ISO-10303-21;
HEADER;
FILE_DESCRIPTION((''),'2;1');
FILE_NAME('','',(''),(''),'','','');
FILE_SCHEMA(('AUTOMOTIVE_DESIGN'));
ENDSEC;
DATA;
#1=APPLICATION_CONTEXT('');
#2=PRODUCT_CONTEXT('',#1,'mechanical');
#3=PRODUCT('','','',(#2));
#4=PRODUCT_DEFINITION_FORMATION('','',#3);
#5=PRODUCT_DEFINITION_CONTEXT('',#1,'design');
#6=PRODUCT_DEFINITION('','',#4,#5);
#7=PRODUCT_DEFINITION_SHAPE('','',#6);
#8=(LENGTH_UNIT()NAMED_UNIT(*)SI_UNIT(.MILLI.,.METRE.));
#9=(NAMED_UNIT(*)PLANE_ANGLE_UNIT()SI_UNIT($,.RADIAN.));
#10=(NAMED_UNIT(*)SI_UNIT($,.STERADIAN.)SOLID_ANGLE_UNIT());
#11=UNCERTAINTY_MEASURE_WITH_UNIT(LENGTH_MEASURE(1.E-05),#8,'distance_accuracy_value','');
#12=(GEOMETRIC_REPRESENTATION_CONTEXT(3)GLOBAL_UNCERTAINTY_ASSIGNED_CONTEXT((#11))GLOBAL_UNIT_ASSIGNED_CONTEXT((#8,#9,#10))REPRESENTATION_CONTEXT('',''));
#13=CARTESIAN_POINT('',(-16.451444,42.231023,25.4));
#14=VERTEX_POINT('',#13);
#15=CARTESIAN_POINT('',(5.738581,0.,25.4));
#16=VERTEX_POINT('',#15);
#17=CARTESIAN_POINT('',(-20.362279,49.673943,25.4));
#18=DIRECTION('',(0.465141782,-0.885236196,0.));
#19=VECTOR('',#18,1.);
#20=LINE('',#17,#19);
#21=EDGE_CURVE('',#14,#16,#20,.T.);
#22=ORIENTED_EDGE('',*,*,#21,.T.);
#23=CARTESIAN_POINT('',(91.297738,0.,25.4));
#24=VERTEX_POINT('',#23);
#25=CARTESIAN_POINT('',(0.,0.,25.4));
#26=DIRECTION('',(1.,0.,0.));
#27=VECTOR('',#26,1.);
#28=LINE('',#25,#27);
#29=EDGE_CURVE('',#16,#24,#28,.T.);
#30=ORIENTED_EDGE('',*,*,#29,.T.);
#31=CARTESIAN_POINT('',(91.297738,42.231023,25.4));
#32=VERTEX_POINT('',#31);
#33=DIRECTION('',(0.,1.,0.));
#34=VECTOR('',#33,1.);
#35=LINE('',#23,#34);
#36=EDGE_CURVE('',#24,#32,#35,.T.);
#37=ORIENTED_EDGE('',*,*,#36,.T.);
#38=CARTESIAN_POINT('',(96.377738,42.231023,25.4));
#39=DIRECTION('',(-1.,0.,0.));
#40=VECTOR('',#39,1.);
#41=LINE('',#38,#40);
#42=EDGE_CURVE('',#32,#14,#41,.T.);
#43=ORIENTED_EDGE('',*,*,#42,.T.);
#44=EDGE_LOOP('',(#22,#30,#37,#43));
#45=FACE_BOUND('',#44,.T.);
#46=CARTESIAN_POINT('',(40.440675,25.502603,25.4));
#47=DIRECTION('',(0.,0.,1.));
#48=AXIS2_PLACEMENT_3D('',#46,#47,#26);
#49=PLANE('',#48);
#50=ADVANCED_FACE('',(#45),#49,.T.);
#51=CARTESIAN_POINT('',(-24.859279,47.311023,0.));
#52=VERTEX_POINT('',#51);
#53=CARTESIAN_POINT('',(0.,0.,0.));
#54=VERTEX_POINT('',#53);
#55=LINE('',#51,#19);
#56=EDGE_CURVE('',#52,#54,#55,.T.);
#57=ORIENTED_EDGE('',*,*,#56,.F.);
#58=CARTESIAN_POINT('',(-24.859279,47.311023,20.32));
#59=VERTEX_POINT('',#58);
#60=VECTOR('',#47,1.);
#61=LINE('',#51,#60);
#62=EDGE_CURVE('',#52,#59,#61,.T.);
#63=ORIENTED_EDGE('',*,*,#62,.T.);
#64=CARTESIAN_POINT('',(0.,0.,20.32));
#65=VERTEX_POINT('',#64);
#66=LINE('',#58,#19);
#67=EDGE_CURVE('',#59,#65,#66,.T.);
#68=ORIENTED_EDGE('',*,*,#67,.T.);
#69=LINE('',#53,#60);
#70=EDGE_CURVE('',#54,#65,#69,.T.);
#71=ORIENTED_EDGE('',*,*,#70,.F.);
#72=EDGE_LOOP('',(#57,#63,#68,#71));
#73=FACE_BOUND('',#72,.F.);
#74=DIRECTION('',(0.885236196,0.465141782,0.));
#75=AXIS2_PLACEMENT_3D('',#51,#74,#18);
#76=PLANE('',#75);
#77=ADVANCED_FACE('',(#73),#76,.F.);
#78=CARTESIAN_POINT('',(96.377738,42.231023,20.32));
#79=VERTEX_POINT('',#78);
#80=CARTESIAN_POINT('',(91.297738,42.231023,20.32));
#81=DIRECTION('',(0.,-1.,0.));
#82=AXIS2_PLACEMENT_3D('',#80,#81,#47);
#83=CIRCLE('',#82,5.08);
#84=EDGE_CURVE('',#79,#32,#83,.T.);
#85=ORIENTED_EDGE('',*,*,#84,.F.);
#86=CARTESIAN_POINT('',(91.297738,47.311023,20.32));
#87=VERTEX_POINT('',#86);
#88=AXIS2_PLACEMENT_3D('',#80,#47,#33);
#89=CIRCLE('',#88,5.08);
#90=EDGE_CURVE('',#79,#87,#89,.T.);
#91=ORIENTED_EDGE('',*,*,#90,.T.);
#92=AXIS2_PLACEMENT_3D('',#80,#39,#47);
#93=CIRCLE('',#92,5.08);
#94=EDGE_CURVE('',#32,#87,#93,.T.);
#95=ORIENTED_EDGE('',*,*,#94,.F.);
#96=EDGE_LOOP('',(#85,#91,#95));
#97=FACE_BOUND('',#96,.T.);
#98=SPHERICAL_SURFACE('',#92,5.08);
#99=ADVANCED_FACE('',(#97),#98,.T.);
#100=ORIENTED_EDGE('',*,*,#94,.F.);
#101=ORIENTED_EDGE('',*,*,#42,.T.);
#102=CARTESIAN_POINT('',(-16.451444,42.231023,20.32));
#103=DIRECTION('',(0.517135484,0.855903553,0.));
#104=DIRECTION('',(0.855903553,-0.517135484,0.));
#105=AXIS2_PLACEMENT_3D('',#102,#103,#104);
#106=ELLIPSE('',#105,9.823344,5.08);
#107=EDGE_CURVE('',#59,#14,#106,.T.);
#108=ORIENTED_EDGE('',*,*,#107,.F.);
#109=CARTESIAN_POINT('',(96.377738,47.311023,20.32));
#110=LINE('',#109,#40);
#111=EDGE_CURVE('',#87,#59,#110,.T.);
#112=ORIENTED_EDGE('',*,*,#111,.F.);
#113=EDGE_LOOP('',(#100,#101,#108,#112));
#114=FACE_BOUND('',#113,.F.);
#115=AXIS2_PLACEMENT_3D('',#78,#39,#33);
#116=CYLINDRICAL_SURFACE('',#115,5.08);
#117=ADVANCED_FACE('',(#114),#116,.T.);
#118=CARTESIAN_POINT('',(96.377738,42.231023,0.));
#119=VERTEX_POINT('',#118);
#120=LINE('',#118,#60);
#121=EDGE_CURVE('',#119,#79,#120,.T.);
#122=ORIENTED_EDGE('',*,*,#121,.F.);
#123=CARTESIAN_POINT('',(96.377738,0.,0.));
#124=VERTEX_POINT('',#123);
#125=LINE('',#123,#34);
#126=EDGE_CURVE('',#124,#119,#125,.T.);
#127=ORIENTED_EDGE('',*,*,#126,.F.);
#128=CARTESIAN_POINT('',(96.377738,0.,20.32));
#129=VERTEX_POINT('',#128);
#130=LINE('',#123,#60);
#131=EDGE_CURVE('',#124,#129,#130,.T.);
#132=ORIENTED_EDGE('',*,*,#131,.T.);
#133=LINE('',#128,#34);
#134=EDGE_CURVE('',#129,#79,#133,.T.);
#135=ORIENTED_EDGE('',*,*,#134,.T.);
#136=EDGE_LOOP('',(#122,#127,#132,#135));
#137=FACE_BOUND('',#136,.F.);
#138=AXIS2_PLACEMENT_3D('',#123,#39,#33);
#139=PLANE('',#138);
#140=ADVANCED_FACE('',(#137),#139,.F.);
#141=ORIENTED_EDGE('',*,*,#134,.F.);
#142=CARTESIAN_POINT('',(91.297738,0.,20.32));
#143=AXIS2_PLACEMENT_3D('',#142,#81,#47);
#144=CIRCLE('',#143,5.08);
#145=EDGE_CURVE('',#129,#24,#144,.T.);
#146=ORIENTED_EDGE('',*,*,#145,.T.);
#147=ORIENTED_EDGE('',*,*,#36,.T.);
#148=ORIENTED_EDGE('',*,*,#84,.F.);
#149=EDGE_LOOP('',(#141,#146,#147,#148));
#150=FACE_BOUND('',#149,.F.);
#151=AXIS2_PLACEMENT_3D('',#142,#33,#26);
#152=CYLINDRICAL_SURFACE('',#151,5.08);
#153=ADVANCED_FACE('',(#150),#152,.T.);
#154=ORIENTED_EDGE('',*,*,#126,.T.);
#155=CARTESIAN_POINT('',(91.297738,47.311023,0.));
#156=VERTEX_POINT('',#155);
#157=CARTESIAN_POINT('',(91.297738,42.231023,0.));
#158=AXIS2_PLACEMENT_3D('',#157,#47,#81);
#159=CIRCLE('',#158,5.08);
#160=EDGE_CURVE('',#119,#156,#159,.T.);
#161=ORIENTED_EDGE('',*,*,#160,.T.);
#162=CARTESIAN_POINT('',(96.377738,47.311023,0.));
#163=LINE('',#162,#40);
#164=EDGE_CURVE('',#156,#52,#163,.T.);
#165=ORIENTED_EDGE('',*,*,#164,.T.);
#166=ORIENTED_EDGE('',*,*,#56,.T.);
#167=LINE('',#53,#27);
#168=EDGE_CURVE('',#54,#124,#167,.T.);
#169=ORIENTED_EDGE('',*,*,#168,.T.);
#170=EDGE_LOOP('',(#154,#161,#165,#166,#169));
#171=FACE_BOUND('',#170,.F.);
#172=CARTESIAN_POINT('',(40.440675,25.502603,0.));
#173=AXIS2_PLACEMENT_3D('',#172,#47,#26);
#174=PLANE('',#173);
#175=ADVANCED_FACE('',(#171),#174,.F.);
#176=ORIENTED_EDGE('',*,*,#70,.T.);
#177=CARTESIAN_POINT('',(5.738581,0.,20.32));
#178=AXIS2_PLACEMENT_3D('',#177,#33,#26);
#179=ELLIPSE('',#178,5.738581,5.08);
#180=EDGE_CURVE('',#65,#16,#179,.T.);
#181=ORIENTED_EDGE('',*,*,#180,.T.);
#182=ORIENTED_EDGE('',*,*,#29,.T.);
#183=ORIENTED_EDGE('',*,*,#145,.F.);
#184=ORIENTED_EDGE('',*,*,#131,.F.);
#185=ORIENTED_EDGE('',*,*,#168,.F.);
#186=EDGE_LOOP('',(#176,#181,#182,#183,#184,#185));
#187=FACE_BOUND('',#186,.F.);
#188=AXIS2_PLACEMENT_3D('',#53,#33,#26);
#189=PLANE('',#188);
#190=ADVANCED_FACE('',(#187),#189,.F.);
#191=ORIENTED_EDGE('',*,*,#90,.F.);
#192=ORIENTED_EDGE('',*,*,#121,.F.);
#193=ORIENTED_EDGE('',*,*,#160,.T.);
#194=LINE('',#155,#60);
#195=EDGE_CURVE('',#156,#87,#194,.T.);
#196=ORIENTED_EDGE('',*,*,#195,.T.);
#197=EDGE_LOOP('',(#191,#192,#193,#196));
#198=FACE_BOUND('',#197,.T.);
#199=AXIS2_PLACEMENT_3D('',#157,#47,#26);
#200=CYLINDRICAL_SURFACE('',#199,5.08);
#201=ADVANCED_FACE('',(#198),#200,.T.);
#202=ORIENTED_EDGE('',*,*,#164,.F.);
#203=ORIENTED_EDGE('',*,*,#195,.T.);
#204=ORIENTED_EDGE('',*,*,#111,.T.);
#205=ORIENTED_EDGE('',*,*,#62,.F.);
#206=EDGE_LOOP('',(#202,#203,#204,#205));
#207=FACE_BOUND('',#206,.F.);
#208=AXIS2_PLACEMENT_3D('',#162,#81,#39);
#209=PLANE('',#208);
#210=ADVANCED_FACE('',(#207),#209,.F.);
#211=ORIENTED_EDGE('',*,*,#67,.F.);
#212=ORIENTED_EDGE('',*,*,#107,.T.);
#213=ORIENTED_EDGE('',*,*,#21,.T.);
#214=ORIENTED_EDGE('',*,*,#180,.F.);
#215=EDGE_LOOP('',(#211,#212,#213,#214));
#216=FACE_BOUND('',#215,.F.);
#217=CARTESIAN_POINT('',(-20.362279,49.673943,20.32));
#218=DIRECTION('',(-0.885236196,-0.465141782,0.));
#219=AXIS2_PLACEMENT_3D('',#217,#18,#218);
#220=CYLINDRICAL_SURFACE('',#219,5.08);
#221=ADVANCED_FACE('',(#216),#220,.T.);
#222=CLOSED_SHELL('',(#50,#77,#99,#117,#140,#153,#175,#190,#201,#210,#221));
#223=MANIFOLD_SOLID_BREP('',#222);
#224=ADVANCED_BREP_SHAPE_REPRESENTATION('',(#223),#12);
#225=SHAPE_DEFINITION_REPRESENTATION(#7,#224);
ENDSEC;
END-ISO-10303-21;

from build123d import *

# Parameters (mm, degrees)
F1_DEPTH = 25.4
F2_R     = 5.08


with BuildPart() as f1:
    # F0 (on Top) → F1 (new body)
    with BuildSketch(Plane.XY):
        Polygon((-24.859279, 47.311023), (0, 0), (96.377738, 0), (96.377738, 47.311023), align=None)
    extrude(amount=F1_DEPTH)

    # F2
    f2_edges = [f1.edges().sort_by_distance(p)[0] for p in [
        (-12.42964, 23.655511, 25.4),
        (35.759229, 47.311023, 25.4),
        (96.377738, 23.655511, 25.4),
        (96.377738, 47.311023, 12.7),
    ]]
    fillet(f2_edges, radius=F2_R)


solid = f1.part
